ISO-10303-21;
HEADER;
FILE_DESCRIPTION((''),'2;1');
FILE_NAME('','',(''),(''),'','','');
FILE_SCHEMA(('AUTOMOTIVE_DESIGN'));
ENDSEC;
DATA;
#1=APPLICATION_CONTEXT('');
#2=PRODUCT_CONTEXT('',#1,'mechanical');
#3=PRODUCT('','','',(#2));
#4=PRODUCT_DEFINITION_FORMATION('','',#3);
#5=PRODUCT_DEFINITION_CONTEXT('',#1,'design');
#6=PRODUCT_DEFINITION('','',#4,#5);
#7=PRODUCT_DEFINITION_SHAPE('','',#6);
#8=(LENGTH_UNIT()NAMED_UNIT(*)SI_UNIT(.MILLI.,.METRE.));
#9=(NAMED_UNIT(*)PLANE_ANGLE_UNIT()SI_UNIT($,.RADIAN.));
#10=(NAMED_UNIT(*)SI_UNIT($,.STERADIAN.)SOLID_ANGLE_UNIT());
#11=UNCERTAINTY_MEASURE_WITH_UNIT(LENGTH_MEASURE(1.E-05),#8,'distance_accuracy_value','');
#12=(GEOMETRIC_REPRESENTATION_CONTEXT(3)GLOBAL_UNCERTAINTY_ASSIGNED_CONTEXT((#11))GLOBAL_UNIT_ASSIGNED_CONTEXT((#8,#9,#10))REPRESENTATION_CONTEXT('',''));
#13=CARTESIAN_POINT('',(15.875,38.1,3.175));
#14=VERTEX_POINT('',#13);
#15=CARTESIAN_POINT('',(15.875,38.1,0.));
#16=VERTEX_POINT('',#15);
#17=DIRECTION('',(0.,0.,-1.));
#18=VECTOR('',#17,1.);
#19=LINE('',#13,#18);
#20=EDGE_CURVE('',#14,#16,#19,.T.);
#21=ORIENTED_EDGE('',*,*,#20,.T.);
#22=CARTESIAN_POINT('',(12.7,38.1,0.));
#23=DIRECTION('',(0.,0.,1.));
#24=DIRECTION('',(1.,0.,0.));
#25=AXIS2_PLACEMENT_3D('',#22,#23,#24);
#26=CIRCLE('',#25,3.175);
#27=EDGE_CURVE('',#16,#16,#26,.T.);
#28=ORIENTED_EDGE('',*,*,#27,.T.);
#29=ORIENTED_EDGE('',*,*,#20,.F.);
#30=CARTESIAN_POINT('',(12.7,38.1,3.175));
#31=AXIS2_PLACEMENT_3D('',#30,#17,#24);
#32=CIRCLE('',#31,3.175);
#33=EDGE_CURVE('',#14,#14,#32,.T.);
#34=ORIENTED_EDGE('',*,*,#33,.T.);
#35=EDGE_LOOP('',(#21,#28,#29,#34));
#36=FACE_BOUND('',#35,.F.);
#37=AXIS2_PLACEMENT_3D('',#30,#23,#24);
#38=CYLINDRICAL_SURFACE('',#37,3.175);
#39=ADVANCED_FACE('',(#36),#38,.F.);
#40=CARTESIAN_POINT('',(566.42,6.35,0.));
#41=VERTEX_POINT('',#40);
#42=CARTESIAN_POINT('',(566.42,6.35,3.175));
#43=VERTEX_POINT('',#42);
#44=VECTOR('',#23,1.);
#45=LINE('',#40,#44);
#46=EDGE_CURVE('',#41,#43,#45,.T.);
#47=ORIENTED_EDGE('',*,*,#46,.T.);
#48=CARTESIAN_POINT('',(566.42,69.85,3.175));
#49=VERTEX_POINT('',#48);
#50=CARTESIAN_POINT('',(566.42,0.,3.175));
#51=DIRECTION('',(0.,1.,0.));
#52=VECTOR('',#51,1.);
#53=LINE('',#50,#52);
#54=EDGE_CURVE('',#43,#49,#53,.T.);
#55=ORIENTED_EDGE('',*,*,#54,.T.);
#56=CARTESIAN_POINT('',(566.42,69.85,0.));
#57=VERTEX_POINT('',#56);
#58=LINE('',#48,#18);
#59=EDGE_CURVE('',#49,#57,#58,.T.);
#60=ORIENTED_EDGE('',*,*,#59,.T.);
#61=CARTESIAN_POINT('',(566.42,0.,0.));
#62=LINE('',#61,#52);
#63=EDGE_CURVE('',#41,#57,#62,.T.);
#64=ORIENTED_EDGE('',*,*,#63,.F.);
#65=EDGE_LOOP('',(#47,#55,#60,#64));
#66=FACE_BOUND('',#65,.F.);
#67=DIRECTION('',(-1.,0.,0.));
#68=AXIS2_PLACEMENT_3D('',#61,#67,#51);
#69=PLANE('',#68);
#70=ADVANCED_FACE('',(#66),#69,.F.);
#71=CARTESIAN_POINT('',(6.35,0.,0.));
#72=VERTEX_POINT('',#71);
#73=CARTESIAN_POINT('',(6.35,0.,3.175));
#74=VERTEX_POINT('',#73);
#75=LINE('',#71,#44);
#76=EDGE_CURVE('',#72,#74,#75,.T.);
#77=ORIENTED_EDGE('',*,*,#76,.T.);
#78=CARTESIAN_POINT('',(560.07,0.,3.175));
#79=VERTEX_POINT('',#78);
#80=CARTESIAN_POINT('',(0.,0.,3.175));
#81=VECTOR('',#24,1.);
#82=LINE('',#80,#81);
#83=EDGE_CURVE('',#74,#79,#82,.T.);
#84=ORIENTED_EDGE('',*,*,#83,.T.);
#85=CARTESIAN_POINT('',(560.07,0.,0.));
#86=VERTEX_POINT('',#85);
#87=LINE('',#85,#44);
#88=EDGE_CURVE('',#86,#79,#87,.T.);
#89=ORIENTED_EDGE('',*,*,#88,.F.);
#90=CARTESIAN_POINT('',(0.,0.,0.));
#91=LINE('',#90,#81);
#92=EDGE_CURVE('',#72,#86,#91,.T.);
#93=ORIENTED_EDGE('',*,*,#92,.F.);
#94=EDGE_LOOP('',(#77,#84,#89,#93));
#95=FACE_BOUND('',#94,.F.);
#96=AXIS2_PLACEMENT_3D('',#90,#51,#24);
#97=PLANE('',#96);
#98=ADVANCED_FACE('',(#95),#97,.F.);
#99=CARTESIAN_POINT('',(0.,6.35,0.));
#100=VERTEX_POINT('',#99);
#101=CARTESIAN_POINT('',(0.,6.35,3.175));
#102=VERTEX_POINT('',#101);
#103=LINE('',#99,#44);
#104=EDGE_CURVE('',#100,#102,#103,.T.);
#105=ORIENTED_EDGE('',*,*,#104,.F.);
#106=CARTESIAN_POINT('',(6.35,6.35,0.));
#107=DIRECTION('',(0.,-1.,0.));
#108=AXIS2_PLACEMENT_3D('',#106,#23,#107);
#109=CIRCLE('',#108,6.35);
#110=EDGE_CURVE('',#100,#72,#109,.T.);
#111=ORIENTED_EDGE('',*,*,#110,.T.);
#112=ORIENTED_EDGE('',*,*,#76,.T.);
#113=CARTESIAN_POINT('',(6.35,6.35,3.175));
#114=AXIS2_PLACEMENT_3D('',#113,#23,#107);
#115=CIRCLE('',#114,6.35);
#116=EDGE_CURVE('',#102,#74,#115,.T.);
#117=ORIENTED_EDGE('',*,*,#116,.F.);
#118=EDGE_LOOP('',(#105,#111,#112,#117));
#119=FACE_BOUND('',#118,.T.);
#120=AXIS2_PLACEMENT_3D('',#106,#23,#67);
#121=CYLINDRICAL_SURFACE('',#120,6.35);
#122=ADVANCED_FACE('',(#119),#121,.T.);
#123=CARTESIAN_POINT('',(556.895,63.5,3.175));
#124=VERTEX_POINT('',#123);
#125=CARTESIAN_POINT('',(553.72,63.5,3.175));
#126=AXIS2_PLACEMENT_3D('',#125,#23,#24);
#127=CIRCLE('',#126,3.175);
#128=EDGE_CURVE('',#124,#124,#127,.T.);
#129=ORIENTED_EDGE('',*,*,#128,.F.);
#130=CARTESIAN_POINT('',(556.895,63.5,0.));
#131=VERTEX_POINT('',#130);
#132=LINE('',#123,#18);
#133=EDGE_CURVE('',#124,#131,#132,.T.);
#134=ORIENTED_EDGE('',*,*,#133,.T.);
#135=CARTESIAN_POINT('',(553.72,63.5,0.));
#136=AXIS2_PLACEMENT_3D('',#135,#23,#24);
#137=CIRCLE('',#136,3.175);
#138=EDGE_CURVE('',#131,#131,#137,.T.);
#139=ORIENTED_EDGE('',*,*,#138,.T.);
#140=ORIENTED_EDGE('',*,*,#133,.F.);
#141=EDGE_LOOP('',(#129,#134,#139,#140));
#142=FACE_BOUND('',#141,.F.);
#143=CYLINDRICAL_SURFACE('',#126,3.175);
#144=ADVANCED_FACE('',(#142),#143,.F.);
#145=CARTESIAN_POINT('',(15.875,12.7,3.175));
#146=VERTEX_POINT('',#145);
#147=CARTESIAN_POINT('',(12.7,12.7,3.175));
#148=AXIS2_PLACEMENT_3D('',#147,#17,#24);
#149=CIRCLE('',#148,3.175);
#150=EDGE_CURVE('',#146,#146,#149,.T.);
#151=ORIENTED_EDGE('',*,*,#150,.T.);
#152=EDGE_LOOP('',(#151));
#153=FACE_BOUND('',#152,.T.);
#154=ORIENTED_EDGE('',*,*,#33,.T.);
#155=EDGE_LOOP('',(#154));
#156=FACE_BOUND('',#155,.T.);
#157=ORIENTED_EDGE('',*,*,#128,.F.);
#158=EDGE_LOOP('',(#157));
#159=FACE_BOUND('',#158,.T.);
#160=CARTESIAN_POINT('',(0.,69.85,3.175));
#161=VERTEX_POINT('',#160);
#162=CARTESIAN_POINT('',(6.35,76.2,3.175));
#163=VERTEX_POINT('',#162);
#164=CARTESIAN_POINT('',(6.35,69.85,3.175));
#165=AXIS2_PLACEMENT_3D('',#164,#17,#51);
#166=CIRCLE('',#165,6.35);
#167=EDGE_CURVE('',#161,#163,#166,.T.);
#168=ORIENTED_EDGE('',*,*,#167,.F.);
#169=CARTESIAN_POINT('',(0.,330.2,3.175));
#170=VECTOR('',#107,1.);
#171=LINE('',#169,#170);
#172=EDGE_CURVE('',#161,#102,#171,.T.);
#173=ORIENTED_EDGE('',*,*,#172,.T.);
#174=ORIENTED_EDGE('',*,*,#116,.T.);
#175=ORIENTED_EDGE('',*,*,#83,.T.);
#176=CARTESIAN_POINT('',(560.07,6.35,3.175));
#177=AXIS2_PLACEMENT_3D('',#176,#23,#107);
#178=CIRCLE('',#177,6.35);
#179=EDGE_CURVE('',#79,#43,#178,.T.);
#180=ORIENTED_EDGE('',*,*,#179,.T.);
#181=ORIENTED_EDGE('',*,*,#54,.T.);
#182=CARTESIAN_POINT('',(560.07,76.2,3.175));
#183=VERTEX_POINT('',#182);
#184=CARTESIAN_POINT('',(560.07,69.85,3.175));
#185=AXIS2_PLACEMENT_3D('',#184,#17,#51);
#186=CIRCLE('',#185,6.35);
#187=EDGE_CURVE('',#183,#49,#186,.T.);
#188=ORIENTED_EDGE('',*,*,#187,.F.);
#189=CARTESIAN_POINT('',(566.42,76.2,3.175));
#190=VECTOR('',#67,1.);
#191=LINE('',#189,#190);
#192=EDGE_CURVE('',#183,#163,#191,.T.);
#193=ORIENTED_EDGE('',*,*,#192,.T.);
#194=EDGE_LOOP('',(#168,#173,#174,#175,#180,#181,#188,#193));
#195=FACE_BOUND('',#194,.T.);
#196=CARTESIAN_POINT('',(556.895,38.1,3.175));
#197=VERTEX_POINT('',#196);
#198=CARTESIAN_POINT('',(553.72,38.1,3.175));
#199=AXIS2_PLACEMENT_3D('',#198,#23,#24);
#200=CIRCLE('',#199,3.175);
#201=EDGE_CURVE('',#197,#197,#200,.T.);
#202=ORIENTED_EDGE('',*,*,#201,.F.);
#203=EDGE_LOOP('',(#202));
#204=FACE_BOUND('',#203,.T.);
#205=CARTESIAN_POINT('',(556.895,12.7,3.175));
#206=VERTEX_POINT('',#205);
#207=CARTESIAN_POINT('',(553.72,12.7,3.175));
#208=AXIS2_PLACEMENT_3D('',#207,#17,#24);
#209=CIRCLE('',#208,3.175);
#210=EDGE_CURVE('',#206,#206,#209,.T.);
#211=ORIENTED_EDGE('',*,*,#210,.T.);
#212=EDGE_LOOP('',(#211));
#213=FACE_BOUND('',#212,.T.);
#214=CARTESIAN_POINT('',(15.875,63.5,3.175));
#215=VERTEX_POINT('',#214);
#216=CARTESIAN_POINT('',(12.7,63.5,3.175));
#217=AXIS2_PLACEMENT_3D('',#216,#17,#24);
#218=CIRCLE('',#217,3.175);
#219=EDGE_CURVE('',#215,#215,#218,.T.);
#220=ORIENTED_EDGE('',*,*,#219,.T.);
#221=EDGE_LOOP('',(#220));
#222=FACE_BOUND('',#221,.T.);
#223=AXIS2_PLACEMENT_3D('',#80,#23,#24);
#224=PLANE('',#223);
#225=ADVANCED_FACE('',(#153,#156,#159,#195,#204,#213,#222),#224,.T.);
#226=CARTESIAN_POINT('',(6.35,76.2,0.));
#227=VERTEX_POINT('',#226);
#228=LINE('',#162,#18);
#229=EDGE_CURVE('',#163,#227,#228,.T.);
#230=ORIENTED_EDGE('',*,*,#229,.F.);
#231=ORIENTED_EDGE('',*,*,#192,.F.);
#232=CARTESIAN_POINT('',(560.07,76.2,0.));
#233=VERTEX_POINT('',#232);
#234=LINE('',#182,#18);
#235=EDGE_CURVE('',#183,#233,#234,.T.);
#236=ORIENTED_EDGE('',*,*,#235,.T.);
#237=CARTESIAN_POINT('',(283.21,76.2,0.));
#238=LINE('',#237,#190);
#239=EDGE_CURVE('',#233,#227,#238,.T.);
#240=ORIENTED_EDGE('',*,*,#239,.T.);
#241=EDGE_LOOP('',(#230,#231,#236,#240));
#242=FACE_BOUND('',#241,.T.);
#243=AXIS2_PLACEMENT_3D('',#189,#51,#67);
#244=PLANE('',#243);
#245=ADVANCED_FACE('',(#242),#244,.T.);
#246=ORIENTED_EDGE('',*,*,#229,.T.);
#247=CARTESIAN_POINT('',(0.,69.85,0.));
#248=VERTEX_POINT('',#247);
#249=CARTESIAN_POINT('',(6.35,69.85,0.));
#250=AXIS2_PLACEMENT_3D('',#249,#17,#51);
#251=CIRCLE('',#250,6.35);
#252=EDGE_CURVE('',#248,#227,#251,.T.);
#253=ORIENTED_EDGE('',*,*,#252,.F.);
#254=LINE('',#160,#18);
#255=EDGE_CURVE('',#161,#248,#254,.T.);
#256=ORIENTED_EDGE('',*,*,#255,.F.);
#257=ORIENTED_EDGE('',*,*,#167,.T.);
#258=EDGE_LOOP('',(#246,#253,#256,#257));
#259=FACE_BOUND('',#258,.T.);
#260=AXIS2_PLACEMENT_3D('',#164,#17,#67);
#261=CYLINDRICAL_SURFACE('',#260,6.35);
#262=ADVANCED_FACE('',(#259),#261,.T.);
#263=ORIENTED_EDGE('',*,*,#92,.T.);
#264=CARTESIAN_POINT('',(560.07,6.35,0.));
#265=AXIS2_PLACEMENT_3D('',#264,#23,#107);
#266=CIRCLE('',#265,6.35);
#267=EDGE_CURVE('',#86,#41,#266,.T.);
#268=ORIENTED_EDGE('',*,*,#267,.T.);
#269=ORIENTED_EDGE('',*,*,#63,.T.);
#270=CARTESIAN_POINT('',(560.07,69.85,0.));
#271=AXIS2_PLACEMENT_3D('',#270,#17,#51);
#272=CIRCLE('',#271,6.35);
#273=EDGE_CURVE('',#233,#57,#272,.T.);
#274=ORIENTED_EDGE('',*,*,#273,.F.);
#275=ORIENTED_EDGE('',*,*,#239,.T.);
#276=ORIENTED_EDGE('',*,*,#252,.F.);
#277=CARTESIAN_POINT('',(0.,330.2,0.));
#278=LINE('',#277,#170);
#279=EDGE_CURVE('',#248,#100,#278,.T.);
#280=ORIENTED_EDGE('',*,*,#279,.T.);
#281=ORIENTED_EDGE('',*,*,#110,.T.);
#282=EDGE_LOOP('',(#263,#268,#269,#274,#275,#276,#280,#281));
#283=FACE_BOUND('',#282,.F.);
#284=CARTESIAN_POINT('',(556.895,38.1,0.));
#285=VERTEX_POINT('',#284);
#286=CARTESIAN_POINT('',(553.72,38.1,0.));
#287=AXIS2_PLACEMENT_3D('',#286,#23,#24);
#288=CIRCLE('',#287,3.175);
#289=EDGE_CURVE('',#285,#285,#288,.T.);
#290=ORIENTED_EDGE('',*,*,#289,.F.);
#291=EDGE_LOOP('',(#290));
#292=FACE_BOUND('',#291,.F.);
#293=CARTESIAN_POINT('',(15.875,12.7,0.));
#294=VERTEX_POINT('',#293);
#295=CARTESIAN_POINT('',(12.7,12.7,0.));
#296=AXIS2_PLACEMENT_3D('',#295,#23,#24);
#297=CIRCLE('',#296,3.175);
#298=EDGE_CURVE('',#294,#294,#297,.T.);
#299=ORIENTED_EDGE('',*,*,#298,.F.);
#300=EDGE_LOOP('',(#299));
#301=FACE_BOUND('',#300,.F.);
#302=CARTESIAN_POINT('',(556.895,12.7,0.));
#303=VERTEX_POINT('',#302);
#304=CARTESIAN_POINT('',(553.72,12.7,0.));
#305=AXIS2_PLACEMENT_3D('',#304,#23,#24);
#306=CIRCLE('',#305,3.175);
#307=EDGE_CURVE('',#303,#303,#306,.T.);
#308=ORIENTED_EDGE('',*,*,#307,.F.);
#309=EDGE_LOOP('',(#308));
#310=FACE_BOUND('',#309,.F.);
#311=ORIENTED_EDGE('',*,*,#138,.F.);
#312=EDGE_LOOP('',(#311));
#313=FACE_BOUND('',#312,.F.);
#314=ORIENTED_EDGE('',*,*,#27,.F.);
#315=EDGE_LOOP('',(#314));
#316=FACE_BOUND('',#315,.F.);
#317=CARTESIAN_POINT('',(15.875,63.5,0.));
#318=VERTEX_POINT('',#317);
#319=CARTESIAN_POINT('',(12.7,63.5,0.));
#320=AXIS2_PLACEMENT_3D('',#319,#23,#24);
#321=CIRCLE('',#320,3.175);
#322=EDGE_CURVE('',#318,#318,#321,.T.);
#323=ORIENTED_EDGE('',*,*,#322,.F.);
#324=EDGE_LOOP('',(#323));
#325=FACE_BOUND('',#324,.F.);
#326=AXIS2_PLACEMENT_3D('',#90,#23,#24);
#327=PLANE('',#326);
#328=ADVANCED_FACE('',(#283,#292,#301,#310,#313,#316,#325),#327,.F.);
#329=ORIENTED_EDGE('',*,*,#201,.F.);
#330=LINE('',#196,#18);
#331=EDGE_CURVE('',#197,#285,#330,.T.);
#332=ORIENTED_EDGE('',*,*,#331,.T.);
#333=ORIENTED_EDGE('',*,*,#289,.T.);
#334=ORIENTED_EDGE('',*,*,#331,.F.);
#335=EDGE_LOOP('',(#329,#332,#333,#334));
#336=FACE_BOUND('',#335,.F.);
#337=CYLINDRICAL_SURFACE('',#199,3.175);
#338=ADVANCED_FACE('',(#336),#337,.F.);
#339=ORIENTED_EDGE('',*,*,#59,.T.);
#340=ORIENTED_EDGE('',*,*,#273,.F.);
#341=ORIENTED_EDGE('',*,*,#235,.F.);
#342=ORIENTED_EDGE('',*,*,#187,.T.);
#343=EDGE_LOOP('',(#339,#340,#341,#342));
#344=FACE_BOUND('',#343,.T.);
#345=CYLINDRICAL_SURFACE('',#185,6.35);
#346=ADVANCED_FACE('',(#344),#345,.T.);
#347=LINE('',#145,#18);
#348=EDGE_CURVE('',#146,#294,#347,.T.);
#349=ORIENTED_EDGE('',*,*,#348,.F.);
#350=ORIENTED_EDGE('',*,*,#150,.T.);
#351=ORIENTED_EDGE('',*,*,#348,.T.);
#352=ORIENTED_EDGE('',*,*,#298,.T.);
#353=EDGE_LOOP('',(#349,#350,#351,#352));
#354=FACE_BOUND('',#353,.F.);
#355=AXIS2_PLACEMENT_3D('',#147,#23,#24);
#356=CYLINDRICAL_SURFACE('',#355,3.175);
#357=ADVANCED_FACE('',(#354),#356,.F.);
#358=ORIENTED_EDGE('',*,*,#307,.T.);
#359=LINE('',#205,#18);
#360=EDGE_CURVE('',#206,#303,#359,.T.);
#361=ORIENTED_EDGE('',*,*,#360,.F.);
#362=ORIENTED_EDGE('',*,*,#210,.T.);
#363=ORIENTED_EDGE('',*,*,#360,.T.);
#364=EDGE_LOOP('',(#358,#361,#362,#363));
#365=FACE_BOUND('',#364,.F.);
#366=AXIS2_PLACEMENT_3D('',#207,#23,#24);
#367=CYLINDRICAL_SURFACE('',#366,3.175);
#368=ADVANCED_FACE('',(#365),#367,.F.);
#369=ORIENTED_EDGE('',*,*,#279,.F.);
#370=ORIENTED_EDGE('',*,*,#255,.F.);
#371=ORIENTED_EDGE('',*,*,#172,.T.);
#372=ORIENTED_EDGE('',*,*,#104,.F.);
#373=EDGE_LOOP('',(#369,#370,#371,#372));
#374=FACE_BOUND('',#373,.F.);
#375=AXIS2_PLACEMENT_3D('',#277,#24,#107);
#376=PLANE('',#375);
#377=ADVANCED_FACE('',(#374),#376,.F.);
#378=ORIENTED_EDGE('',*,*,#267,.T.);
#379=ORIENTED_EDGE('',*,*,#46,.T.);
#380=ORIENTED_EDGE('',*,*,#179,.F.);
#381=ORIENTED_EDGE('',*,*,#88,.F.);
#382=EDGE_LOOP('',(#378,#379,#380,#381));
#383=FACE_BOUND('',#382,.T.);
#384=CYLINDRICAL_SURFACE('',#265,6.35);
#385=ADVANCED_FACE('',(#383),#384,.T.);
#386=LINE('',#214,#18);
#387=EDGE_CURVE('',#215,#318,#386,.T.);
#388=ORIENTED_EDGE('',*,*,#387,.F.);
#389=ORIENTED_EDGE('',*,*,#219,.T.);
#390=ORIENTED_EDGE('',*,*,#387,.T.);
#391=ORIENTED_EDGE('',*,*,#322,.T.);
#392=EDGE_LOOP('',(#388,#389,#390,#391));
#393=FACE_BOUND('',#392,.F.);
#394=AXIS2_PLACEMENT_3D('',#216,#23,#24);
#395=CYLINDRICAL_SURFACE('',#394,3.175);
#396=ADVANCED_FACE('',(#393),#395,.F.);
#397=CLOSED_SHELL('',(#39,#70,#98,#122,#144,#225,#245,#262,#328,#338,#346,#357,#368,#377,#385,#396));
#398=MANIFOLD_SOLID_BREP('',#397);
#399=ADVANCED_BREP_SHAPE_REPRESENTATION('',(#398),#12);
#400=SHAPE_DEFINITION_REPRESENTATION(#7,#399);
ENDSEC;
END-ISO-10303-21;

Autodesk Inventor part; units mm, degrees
ref_plane "YZ Plane" through (0, 0, 0) normal (1, 0, 0) x (0, 1, 0)
ref_plane "XZ Plane" through (0, 0, 0) normal (0, 1, 0) x (-1, 0, 0)
ref_plane "XY Plane" through (0, 0, 0) normal (0, 0, 1) x (1, 0, 0)
sketch "Sketch1" plane through (0, 0, 0) normal (0, 0, 1) x (1, 0, 0)
  line L0 (0, 0) -> (566.42, 0)
  line L1 (566.42, 0) -> (566.42, 330.2)
  line L2 (566.42, 330.2) -> (0, 330.2)
  line L3 (0, 330.2) -> (0, 0)
  dimension "d0" = 330.2
  dimension "d1" = 566.42
extrude "Extrusion1" add sketch "Sketch1" along normal blind 3.175
sketch "Sketch3" plane through (0, 0, 3.175) normal (0, 0, 1) x (1, 0, 0)
  line L0 (566.42, 330.2) -> (553.72, 330.2)
  line L1 (553.72, 330.2) -> (553.72, 317.5)
  line L2 (553.72, 317.5) -> (566.42, 317.5)
  line L3 (566.42, 317.5) -> (566.42, 330.2)
  circle A0 centre (553.72, 317.5) radius 3.175
  point P0 (0, 0)
  dimension "d4" = 12.7
  dimension "d5" = 12.7
  dimension "d6" = 6.35
extrude "Extrusion2" cut sketch "Sketch3" against normal through all contours A0 L2 L1 | L1 L2 A0
pattern_linear "Rectangular Pattern1" count 5 spacing 76.2 along (0, -1, 0) count 2 spacing 541.02 along (-1, 0, 0) of "Extrusion2"
sketch "Sketch4" plane through (0, 0, 3.175) normal (0, 0, 1) x (1, 0, 0)
  line L0 (566.42, 330.2) -> (553.72, 330.2)
  line L1 (553.72, 330.2) -> (553.72, 266.7)
  line L2 (553.72, 266.7) -> (566.42, 266.7)
  line L3 (566.42, 266.7) -> (566.42, 330.2)
  circle A0 centre (553.72, 266.7) radius 6.35
  point P0 (0, 0)
  dimension "d15" = 12.7
  dimension "d16" = 63.5
  dimension "d17" = 12.7
extrude "Extrusion3" cut sketch "Sketch4" against normal through all contours A0 L2 L1 | L1 L2 A0
pattern_linear "Rectangular Pattern2" count 2 spacing 541.02 along (-1, 0, 0) of "Extrusion3"
sketch "Sketch6" plane through (0, 0, 3.175) normal (0, 0, 1) x (1, 0, 0)
  line L0 (566.42, 0) -> (566.42, 330.2) projected
  line L1 (0, 0) -> (566.42, 0)
  line L2 (566.42, 0) -> (566.42, 76.2)
  line L3 (566.42, 76.2) -> (0, 76.2)
  line L4 (0, 76.2) -> (0, 0)
  line L5 (0, 76.2) -> (566.42, 76.2)
  line L6 (566.42, 76.2) -> (566.42, 330.2)
  line L7 (566.42, 330.2) -> (0, 330.2)
  line L8 (0, 330.2) -> (0, 76.2)
  dimension "d23" = 76.2
extrude "Extrusion4" cut sketch "Sketch6" against normal through all contours L3 L8 L7 L0
sketch "Sketch7" plane through (0, 0, 3.175) normal (0, 0, 1) x (1, 0, 0)
  line L0 (0, 0) -> (566.42, 0) projected
  line L1 (283.21, 0) -> (283.21, 76.2)
  line L2 (566.42, 76.2) -> (0, 76.2) projected
  line L3 (283.21, 76.2) -> (389.89, 76.2)
  line L4 (389.89, 76.2) -> (176.53, 76.2)
  line L5 (176.53, 76.2) -> (176.53, 63.5)
  line L6 (389.89, 76.2) -> (389.89, 63.5)
  circle A0 centre (176.53, 63.5) radius 3.175
  circle A1 centre (389.89, 63.5) radius 3.175
  line L7 (176.53, 63.5) -> (176.53, 18.796)
  circle A2 centre (176.53, 18.796) radius 3.175
  circle A3 centre (389.89, 18.796) radius 3.175
  dimension "d26" = 106.68
  dimension "d27" = 213.36
  dimension "d28" = 12.7
  dimension "d29" = 12.7
  dimension "d30" = 6.35
  dimension "d31" = 6.35
  dimension "d34" = 44.704
  dimension "d35" = 6.35
extrude "Extrusion6" cut sketch "Sketch7" against normal through all
sketch "Sketch9" plane through (0, 0, 3.175) normal (0, 0, 1) x (1, 0, 0)
  circle A0 centre (12.7, 12.7) radius 3.175 projected
  line L0 (12.7, 12.7) -> (12.7, 38.1)
  line L1 (12.7, 38.1) -> (12.7, 63.5)
  circle A1 centre (12.7, 63.5) radius 3.175
  circle A2 centre (12.7, 38.1) radius 3.175
  line L2 (0, 0) -> (566.42, 0) projected
  line L3 (283.21, 0) -> (283.21, 76.2)
  line L4 (0, 76.2) -> (566.42, 76.2) projected
  circle A3 centre (553.72, 12.7) radius 3.175
  circle A4 centre (553.72, 63.5) radius 3.175
  circle A5 centre (553.72, 38.1) radius 3.175
  dimension "d45" = 25.4
  dimension "d46" = 25.4
  dimension "d47" = 6.35
  dimension "d48" = 6.35
extrude "Extrusion8" cut sketch "Sketch9" against normal through all contours A1 | A2 L1 L0 | L0 L1 A2 | A4 | A5
sketch "Sketch12" plane through (0, 0, 3.175) normal (0, 0, 1) x (1, 0, 0)
  line L0 (566.42, 76.2) -> (0, 76.2) projected
  line L1 (283.21, 76.2) -> (283.21, 0)
  line L2 (50.8, 57.15) -> (109.4994, 57.15)
  line L3 (80.1497, 57.15) -> (80.1497, 76.2)
  line L4 (0, 76.2) -> (0, 0) projected
  circle A0 centre (50.8, 57.15) radius 2.5019
  circle A1 centre (109.4994, 57.15) radius 2.5019
  circle A2 centre (515.62, 57.15) radius 2.5019
  circle A3 centre (456.9206, 57.15) radius 2.5019
  dimension "d85" = 19.05
  dimension "d86" = 58.6994
  dimension "d87" = 50.8
  dimension "d88" = 5.0038
  dimension "d89" = 5.0038
extrude "Extrusion11" cut sketch "Sketch12" against normal through all
fillet "Fillet1" radius 6.35 4 edges at (0, 76.2, 1.5875) (0, 0, 1.5875) (566.42, 76.2, 1.5875) (566.42, 0, 1.5875)
sketch "Sketch13" plane through (0, 0, 3.175) normal (0, 0, 1) x (1, 0, 0)
  line L0 (33.566, 68.6086) -> (529.2252, 68.6086)
  line L1 (529.2252, 68.6086) -> (529.2252, 9.2074)
  line L2 (529.2252, 9.2074) -> (33.566, 9.2074)
  line L3 (33.566, 9.2074) -> (33.566, 68.6086)
  point P0 (0, 0)
extrude "Extrusion12" add sketch "Sketch13" against normal blind 3.175
properties part number "Metal E-board"
